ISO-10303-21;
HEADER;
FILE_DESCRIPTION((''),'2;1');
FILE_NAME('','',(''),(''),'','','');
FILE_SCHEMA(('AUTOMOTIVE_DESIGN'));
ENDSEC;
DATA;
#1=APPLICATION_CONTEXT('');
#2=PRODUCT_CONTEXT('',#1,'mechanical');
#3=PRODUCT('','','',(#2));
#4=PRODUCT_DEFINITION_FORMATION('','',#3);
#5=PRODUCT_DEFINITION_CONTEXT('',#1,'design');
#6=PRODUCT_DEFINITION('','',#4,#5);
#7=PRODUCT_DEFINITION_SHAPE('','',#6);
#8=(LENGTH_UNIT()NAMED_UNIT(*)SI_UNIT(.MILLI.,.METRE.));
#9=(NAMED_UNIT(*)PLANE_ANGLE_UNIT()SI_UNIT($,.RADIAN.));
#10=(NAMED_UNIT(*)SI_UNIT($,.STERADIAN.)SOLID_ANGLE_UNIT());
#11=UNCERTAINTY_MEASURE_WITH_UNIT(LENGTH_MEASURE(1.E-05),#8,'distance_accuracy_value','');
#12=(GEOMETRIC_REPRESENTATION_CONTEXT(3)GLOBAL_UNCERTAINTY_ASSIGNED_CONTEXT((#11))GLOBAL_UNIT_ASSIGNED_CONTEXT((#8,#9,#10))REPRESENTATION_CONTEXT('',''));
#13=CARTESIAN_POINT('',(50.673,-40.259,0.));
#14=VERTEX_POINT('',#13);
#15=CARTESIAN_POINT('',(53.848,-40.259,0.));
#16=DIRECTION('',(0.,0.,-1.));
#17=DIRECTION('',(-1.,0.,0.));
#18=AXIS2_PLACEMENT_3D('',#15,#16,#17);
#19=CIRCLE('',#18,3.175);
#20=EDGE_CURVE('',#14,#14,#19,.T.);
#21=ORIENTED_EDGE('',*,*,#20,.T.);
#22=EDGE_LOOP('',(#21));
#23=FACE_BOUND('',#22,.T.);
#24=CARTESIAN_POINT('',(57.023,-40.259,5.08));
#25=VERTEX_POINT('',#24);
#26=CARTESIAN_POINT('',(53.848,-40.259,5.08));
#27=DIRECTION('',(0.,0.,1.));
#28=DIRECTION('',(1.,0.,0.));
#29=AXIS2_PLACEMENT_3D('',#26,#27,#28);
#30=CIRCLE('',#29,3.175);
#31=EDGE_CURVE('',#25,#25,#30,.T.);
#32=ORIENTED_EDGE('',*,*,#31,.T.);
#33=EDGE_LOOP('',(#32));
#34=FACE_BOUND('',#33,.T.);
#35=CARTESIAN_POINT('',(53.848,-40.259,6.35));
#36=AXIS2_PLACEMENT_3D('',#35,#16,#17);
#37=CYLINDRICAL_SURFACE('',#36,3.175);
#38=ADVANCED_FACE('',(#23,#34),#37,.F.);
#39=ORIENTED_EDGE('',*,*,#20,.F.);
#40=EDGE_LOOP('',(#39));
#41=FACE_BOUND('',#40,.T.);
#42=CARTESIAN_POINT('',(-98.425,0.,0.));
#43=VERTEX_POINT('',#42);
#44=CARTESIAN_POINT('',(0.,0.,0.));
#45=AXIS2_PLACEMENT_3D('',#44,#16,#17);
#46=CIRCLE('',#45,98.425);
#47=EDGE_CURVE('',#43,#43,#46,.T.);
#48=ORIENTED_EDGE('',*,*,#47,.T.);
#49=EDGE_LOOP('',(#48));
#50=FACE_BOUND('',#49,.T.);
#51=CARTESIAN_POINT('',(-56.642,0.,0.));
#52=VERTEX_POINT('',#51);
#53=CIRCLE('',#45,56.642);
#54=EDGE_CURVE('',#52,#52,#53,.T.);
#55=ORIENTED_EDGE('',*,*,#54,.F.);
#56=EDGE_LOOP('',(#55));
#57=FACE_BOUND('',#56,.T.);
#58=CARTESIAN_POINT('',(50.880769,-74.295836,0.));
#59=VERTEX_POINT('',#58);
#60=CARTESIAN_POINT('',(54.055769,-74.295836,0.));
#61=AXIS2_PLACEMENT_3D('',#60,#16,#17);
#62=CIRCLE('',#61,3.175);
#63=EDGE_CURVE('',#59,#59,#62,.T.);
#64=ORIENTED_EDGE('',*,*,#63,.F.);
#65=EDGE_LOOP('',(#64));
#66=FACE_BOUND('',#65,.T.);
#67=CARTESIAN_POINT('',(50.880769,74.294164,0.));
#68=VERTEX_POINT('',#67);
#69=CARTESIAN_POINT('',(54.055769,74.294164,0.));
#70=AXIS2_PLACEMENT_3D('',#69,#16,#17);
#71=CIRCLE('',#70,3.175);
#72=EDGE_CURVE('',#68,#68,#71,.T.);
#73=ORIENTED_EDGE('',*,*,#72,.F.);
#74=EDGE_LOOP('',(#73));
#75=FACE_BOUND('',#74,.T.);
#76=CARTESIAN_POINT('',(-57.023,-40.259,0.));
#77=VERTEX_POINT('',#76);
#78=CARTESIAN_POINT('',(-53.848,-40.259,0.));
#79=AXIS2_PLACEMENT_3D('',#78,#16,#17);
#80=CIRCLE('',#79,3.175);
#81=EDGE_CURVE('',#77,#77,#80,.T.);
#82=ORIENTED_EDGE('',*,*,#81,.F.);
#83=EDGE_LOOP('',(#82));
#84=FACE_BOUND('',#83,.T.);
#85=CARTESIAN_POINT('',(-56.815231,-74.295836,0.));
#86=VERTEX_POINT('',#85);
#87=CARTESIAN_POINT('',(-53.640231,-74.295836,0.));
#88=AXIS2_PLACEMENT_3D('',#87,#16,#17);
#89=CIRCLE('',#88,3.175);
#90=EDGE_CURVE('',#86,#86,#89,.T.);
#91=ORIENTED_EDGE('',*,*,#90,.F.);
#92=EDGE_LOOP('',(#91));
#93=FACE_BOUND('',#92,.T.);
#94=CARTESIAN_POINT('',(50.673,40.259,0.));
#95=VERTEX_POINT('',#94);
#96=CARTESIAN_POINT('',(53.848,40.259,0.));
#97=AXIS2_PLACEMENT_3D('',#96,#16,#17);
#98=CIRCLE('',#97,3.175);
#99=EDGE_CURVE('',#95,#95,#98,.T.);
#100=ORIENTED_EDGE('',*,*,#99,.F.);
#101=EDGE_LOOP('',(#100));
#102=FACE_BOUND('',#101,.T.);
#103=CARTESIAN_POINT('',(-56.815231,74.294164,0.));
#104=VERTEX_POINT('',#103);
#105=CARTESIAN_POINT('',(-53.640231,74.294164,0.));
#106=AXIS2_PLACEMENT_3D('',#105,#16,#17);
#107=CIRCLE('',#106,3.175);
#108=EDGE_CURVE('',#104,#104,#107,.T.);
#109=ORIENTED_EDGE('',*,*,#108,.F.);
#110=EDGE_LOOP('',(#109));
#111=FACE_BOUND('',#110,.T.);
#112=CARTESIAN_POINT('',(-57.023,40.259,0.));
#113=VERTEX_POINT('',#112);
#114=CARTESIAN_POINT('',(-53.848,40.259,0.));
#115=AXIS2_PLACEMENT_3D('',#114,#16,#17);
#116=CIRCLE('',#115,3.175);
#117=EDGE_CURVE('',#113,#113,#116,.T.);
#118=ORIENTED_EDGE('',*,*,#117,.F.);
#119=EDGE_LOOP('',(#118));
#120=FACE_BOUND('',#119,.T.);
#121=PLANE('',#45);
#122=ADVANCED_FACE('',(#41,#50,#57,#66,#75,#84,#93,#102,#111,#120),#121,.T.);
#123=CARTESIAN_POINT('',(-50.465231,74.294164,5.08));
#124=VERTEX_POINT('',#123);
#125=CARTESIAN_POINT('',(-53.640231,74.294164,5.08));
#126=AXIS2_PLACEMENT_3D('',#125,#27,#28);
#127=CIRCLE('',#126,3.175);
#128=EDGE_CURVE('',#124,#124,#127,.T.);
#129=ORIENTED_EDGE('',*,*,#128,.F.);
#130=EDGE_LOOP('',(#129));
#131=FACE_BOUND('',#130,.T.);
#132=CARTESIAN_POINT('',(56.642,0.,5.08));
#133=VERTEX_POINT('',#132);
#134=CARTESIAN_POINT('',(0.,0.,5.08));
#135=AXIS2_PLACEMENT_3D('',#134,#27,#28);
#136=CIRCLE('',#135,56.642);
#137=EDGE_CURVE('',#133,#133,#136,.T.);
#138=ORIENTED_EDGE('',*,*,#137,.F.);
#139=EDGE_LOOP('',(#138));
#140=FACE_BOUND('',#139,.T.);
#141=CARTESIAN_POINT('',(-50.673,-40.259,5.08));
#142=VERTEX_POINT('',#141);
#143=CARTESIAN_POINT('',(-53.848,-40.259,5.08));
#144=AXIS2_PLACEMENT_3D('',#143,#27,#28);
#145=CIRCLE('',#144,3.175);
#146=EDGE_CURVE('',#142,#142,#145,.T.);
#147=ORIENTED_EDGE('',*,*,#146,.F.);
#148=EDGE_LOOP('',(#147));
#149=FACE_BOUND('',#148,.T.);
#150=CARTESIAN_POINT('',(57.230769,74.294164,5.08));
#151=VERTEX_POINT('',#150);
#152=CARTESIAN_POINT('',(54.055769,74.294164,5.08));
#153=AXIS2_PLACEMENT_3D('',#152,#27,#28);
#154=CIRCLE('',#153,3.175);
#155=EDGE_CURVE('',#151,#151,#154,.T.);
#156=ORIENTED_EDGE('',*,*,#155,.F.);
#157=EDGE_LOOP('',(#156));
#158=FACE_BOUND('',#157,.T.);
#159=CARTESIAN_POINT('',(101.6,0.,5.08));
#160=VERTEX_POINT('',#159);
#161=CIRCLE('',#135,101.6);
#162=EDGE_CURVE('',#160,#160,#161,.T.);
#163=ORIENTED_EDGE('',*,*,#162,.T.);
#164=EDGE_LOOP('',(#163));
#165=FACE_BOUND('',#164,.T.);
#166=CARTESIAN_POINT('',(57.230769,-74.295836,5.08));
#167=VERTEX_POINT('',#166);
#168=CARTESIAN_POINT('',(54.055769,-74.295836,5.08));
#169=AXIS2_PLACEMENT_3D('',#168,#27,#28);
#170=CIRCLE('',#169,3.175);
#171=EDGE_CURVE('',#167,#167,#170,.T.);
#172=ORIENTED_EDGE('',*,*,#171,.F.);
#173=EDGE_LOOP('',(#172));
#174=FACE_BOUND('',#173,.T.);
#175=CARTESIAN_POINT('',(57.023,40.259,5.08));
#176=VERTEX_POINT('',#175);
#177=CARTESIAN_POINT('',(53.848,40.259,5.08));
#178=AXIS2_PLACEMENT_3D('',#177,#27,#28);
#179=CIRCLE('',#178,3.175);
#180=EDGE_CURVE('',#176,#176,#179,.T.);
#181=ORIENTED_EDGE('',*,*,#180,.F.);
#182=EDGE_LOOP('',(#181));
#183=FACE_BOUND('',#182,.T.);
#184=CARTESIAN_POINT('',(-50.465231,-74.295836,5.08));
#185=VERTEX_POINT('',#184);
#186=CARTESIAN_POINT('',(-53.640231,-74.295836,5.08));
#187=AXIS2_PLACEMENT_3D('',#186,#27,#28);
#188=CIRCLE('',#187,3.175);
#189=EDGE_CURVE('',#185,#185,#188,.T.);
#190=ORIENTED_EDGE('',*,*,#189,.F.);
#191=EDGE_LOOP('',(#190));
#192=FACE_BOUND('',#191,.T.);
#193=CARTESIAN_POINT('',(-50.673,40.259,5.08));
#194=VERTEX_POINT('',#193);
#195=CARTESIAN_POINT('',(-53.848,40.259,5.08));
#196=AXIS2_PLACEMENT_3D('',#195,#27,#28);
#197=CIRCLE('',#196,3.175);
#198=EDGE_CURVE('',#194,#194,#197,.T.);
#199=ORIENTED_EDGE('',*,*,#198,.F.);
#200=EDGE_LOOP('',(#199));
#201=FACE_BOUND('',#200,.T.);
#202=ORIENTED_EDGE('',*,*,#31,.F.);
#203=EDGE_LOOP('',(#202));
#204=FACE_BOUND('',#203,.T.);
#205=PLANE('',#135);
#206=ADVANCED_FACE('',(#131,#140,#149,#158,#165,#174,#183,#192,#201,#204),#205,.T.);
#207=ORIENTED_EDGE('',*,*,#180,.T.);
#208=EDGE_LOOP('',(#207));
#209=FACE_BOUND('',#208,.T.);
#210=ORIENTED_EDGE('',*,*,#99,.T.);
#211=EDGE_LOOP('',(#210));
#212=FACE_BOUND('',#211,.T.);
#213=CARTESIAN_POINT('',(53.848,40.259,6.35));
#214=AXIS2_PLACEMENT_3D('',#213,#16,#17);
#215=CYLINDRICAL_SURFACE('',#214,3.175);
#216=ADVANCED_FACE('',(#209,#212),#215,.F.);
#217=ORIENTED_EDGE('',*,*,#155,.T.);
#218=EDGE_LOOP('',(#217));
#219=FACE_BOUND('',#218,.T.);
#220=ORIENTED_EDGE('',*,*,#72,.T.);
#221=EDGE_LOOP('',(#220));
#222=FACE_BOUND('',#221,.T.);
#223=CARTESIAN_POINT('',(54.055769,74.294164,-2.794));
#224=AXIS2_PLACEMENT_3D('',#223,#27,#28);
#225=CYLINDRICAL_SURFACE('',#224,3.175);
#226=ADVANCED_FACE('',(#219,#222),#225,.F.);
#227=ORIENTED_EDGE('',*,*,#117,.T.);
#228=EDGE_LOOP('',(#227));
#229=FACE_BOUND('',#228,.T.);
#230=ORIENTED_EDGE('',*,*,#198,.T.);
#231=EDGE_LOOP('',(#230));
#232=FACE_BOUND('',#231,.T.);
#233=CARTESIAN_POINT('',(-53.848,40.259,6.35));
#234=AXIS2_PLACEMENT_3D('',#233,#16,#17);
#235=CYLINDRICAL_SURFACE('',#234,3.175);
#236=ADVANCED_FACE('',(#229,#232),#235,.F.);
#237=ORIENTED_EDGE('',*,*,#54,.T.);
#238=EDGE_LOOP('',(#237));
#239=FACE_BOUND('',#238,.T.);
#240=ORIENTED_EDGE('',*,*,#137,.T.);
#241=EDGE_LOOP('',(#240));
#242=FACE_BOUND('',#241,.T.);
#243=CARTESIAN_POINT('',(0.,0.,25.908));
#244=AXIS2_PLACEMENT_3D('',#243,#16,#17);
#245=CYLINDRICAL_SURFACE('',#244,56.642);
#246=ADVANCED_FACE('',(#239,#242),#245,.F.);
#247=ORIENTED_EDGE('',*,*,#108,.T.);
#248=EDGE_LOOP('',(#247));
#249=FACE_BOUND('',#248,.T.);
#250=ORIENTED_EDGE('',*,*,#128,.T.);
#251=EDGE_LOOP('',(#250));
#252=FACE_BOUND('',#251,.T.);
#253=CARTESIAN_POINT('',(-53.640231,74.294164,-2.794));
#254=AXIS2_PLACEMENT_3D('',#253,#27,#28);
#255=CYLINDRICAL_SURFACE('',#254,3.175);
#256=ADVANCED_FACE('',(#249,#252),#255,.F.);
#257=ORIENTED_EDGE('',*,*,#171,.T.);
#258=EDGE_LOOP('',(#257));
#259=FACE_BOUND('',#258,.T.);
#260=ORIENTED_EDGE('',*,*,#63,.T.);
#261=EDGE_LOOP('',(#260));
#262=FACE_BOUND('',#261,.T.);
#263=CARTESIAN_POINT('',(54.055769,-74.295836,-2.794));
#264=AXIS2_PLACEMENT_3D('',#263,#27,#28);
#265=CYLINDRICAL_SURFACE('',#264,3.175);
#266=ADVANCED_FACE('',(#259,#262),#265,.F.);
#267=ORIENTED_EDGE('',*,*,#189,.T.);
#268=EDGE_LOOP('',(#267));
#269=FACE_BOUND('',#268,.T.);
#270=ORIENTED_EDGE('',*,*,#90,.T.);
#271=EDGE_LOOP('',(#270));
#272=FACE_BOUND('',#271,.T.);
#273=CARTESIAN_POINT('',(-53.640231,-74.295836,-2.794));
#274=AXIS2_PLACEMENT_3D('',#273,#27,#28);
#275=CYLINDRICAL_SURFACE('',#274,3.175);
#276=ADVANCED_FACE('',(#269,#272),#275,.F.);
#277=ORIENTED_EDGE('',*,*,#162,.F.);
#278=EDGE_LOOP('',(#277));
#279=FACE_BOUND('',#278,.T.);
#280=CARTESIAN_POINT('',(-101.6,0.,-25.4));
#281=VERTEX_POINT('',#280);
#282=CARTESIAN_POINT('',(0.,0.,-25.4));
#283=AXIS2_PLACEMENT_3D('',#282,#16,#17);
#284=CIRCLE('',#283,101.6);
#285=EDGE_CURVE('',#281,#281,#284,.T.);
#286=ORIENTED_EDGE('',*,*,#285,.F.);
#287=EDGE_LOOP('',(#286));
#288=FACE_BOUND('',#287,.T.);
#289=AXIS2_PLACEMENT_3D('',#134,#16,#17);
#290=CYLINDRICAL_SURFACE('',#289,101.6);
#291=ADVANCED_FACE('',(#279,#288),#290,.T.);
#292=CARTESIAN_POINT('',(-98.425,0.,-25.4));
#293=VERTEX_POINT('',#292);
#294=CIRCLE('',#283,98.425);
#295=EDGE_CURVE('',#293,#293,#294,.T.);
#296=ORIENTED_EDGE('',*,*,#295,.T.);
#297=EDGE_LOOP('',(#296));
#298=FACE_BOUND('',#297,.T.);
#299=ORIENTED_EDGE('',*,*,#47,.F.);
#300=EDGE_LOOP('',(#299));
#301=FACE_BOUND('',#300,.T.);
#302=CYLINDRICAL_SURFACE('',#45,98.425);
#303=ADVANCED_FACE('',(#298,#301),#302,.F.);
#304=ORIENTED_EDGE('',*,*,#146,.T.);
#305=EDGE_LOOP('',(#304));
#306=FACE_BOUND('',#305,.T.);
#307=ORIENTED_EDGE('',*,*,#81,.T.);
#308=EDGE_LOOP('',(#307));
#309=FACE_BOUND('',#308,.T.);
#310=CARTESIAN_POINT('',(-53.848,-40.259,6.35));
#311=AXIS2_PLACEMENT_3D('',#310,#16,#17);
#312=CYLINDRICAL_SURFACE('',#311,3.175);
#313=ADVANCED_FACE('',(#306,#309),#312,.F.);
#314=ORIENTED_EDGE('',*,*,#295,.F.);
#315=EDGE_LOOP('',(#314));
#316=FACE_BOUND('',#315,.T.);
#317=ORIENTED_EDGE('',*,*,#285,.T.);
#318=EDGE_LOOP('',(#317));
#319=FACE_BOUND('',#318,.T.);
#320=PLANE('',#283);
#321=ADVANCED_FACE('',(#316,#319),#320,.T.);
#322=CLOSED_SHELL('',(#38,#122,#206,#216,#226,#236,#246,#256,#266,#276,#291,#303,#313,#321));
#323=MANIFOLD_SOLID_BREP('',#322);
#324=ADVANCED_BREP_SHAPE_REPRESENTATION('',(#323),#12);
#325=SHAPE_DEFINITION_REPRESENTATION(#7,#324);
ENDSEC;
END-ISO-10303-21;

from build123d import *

# Parameters (mm, degrees)
SKETCH1_R           = 101.6
BOSS_EXTRUDE1_DEPTH = 5.08
BOSS_EXTRUDE2_START = 25.4
SKETCH4_R           = 101.6
BOSS_EXTRUDE2_DEPTH = 25.4
SKETCH5_R           = 56.642
BOSS_EXTRUDE3_DEPTH = 12.7
CUT_EXTRUDE3_START  = -64.008
SKETCH6_R           = 56.642
CUT_EXTRUDE3_DEPTH  = 64.008
CUT_EXTRUDE6_START  = -25.4
SKETCH10_R          = 98.425
SKETCH10_R_2        = 56.642
CUT_EXTRUDE6_DEPTH  = 25.4
SKETCH16_R          = 3.175
CUT_EXTRUDE7_DEPTH  = 6.35
SKETCH17_R          = 3.175
CUT_EXTRUDE8_DEPTH  = 7.874


with BuildPart() as part:
    # Sketch1 → Boss-Extrude1 (new body)
    with BuildSketch(Plane.XY):
        Circle(SKETCH1_R)
    extrude(amount=BOSS_EXTRUDE1_DEPTH)

    # Sketch4 → Boss-Extrude2 (add)
    with BuildSketch(Plane(origin=(0, 0, 0), x_dir=(-1, 0, 0), z_dir=(0, 0, -1)).offset(BOSS_EXTRUDE2_START)):
        Circle(SKETCH4_R)
    extrude(amount=-BOSS_EXTRUDE2_DEPTH)

    # Sketch5 → Boss-Extrude3 (add)
    with BuildSketch(Plane(origin=(0, 0, -25.4), x_dir=(-1, 0, 0), z_dir=(0, 0, -1))):
        Circle(SKETCH5_R)
    extrude(amount=BOSS_EXTRUDE3_DEPTH)

    # Sketch6 → Cut-Extrude3 (cut)
    with BuildSketch(Plane(origin=(0, 0, -38.1), x_dir=(-1, 0, 0), z_dir=(0, 0, -1)).offset(CUT_EXTRUDE3_START)):
        Circle(SKETCH6_R)
    extrude(amount=CUT_EXTRUDE3_DEPTH, mode=Mode.SUBTRACT)

    # Sketch10 → Cut-Extrude6 (cut)
    with BuildSketch(Plane(origin=(0, 0, -25.4), x_dir=(-1, 0, 0), z_dir=(0, 0, -1)).offset(CUT_EXTRUDE6_START)):
        Circle(SKETCH10_R)
        Circle(SKETCH10_R_2, mode=Mode.SUBTRACT)
    extrude(amount=CUT_EXTRUDE6_DEPTH, mode=Mode.SUBTRACT)

    # Sketch16 → Cut-Extrude7 (cut)
    with BuildSketch(Plane(origin=(0, 0, 0), x_dir=(-1, 0, 0), z_dir=(0, 0, -1))):
        with Locations((53.848, 40.259)):
            Circle(SKETCH16_R)
        with Locations((-53.848, 40.259)):
            Circle(SKETCH16_R)
        with Locations((-53.848, -40.259)):
            Circle(SKETCH16_R)
        with Locations((53.848, -40.259)):
            Circle(SKETCH16_R)
    extrude(amount=-CUT_EXTRUDE7_DEPTH, mode=Mode.SUBTRACT)

    # Sketch17 → Cut-Extrude8 (cut)
    with BuildSketch(Plane.XY.offset(5.08)):
        with Locations((54.055769112, 74.294164254)):
            Circle(SKETCH17_R)
        with Locations((-53.640230888, 74.294164254)):
            Circle(SKETCH17_R)
        with Locations((-53.640230888, -74.295835746)):
            Circle(SKETCH17_R)
        with Locations((54.055769112, -74.295835746)):
            Circle(SKETCH17_R)
    extrude(amount=-CUT_EXTRUDE8_DEPTH, mode=Mode.SUBTRACT)


solid = part.part
